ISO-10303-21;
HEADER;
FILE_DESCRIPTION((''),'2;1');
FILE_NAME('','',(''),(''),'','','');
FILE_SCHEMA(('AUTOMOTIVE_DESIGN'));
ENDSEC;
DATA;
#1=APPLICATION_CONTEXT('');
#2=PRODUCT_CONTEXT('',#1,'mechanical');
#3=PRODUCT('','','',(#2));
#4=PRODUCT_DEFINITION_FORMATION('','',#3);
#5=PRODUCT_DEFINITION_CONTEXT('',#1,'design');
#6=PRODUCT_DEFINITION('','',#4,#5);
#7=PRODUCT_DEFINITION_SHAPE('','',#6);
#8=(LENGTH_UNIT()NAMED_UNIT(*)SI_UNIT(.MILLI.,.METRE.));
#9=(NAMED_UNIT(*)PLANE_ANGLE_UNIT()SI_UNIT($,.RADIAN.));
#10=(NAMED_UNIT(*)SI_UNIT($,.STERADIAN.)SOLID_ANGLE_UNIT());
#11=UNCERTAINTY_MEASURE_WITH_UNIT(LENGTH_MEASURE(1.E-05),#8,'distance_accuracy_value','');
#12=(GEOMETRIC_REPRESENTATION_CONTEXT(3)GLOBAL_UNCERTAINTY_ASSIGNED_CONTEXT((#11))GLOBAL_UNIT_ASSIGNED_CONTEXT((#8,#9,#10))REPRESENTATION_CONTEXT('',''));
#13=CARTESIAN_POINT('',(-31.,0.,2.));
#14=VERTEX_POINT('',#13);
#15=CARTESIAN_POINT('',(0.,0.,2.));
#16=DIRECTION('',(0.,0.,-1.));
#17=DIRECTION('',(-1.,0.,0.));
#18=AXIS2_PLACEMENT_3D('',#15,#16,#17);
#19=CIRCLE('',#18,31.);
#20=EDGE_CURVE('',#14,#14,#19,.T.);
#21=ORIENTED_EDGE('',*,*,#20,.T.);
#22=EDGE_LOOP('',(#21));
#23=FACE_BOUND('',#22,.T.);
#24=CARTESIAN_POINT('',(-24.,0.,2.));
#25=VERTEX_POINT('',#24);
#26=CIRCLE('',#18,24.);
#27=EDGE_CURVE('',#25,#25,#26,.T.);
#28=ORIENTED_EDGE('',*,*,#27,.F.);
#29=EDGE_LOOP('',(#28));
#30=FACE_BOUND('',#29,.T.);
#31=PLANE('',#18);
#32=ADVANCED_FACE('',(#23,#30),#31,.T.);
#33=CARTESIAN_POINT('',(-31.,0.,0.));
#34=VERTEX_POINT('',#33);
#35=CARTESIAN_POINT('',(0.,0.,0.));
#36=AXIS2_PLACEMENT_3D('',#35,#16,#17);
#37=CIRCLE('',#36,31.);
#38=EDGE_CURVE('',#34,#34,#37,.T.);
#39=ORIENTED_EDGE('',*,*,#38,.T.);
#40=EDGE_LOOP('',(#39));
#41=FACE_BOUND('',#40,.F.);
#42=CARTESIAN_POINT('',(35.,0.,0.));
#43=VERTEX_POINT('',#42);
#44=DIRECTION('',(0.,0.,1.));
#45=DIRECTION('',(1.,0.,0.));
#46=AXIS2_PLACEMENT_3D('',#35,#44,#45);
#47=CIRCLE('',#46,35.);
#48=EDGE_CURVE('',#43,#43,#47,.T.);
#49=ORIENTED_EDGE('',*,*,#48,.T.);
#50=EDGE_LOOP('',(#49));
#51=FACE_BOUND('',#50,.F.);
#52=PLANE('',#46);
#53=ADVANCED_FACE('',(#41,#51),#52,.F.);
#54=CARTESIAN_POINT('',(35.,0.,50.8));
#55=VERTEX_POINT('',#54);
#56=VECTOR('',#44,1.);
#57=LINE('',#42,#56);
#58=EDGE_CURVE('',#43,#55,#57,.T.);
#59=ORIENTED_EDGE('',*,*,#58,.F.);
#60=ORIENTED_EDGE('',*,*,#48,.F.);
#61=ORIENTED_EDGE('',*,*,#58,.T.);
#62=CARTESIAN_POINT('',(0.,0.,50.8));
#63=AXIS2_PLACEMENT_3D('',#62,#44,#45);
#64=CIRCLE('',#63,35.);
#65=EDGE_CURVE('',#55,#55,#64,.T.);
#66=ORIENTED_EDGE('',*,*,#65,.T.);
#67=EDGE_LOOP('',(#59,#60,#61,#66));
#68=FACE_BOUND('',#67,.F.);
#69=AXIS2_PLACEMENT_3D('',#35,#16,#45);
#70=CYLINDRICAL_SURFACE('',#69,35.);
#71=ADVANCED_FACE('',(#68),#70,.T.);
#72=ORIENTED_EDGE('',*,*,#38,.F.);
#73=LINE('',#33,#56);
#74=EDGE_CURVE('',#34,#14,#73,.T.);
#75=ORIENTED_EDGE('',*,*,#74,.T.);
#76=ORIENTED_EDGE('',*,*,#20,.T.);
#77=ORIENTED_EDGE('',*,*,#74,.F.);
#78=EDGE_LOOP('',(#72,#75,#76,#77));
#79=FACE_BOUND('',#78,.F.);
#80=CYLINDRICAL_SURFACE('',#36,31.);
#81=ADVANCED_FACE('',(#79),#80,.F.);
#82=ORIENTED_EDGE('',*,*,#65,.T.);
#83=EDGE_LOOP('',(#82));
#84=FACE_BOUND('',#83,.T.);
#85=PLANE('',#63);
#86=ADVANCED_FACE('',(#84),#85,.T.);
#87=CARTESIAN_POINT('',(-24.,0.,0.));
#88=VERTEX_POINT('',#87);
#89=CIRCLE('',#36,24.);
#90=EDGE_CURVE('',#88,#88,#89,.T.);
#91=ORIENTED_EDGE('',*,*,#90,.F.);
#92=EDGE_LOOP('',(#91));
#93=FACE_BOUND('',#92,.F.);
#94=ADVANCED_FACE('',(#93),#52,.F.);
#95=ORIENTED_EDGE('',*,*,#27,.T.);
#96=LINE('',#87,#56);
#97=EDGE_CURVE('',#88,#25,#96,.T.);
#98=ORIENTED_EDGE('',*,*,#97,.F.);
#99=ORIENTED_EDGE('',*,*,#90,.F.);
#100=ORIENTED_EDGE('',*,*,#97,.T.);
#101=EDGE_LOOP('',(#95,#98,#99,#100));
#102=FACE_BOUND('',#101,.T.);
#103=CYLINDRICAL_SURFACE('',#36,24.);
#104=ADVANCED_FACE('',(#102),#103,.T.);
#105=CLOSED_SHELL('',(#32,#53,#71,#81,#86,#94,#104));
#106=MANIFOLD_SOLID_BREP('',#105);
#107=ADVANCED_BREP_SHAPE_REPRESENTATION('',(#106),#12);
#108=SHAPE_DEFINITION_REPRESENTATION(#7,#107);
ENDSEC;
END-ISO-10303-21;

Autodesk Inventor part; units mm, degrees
ref_plane "YZ Plane" through (0, 0, 0) normal (1, 0, 0) x (0, 1, 0)
ref_plane "XZ Plane" through (0, 0, 0) normal (0, 1, 0) x (-1, 0, 0)
ref_plane "XY Plane" through (0, 0, 0) normal (0, 0, 1) x (1, 0, 0)
sketch "Sketch1" plane through (0, 0, 0) normal (0, 0, 1) x (1, 0, 0)
  circle A0 centre (0, 0) radius 35
  dimension "d0" = 70
extrude "Extrusion1" add sketch "Sketch1" along normal blind 50.8
sketch "Sketch2" plane through (0, 0, 0) normal (0, 0, -1) x (-1, 0, 0)
  circle A0 centre (0, 0) radius 31
  circle A1 centre (0, 0) radius 24
  dimension "d3" = 62
  dimension "d4" = 48
extrude "Extrusion2" cut sketch "Sketch2" against normal blind 2
equation "\"d3\" = ringOuterDiam + ringDiamGap"
equation "\"d4\" = ringInnerDiam - ringDiamGap"
equation "\"ringOuterDiam\" = 60"
equation "\"ringInnerDiam\" = 50"
equation "\"ringThickness\" = 1.5"
equation "\"ringDiamGap\" = 2"
properties part number "MountV01-CombinedWithCamera"
